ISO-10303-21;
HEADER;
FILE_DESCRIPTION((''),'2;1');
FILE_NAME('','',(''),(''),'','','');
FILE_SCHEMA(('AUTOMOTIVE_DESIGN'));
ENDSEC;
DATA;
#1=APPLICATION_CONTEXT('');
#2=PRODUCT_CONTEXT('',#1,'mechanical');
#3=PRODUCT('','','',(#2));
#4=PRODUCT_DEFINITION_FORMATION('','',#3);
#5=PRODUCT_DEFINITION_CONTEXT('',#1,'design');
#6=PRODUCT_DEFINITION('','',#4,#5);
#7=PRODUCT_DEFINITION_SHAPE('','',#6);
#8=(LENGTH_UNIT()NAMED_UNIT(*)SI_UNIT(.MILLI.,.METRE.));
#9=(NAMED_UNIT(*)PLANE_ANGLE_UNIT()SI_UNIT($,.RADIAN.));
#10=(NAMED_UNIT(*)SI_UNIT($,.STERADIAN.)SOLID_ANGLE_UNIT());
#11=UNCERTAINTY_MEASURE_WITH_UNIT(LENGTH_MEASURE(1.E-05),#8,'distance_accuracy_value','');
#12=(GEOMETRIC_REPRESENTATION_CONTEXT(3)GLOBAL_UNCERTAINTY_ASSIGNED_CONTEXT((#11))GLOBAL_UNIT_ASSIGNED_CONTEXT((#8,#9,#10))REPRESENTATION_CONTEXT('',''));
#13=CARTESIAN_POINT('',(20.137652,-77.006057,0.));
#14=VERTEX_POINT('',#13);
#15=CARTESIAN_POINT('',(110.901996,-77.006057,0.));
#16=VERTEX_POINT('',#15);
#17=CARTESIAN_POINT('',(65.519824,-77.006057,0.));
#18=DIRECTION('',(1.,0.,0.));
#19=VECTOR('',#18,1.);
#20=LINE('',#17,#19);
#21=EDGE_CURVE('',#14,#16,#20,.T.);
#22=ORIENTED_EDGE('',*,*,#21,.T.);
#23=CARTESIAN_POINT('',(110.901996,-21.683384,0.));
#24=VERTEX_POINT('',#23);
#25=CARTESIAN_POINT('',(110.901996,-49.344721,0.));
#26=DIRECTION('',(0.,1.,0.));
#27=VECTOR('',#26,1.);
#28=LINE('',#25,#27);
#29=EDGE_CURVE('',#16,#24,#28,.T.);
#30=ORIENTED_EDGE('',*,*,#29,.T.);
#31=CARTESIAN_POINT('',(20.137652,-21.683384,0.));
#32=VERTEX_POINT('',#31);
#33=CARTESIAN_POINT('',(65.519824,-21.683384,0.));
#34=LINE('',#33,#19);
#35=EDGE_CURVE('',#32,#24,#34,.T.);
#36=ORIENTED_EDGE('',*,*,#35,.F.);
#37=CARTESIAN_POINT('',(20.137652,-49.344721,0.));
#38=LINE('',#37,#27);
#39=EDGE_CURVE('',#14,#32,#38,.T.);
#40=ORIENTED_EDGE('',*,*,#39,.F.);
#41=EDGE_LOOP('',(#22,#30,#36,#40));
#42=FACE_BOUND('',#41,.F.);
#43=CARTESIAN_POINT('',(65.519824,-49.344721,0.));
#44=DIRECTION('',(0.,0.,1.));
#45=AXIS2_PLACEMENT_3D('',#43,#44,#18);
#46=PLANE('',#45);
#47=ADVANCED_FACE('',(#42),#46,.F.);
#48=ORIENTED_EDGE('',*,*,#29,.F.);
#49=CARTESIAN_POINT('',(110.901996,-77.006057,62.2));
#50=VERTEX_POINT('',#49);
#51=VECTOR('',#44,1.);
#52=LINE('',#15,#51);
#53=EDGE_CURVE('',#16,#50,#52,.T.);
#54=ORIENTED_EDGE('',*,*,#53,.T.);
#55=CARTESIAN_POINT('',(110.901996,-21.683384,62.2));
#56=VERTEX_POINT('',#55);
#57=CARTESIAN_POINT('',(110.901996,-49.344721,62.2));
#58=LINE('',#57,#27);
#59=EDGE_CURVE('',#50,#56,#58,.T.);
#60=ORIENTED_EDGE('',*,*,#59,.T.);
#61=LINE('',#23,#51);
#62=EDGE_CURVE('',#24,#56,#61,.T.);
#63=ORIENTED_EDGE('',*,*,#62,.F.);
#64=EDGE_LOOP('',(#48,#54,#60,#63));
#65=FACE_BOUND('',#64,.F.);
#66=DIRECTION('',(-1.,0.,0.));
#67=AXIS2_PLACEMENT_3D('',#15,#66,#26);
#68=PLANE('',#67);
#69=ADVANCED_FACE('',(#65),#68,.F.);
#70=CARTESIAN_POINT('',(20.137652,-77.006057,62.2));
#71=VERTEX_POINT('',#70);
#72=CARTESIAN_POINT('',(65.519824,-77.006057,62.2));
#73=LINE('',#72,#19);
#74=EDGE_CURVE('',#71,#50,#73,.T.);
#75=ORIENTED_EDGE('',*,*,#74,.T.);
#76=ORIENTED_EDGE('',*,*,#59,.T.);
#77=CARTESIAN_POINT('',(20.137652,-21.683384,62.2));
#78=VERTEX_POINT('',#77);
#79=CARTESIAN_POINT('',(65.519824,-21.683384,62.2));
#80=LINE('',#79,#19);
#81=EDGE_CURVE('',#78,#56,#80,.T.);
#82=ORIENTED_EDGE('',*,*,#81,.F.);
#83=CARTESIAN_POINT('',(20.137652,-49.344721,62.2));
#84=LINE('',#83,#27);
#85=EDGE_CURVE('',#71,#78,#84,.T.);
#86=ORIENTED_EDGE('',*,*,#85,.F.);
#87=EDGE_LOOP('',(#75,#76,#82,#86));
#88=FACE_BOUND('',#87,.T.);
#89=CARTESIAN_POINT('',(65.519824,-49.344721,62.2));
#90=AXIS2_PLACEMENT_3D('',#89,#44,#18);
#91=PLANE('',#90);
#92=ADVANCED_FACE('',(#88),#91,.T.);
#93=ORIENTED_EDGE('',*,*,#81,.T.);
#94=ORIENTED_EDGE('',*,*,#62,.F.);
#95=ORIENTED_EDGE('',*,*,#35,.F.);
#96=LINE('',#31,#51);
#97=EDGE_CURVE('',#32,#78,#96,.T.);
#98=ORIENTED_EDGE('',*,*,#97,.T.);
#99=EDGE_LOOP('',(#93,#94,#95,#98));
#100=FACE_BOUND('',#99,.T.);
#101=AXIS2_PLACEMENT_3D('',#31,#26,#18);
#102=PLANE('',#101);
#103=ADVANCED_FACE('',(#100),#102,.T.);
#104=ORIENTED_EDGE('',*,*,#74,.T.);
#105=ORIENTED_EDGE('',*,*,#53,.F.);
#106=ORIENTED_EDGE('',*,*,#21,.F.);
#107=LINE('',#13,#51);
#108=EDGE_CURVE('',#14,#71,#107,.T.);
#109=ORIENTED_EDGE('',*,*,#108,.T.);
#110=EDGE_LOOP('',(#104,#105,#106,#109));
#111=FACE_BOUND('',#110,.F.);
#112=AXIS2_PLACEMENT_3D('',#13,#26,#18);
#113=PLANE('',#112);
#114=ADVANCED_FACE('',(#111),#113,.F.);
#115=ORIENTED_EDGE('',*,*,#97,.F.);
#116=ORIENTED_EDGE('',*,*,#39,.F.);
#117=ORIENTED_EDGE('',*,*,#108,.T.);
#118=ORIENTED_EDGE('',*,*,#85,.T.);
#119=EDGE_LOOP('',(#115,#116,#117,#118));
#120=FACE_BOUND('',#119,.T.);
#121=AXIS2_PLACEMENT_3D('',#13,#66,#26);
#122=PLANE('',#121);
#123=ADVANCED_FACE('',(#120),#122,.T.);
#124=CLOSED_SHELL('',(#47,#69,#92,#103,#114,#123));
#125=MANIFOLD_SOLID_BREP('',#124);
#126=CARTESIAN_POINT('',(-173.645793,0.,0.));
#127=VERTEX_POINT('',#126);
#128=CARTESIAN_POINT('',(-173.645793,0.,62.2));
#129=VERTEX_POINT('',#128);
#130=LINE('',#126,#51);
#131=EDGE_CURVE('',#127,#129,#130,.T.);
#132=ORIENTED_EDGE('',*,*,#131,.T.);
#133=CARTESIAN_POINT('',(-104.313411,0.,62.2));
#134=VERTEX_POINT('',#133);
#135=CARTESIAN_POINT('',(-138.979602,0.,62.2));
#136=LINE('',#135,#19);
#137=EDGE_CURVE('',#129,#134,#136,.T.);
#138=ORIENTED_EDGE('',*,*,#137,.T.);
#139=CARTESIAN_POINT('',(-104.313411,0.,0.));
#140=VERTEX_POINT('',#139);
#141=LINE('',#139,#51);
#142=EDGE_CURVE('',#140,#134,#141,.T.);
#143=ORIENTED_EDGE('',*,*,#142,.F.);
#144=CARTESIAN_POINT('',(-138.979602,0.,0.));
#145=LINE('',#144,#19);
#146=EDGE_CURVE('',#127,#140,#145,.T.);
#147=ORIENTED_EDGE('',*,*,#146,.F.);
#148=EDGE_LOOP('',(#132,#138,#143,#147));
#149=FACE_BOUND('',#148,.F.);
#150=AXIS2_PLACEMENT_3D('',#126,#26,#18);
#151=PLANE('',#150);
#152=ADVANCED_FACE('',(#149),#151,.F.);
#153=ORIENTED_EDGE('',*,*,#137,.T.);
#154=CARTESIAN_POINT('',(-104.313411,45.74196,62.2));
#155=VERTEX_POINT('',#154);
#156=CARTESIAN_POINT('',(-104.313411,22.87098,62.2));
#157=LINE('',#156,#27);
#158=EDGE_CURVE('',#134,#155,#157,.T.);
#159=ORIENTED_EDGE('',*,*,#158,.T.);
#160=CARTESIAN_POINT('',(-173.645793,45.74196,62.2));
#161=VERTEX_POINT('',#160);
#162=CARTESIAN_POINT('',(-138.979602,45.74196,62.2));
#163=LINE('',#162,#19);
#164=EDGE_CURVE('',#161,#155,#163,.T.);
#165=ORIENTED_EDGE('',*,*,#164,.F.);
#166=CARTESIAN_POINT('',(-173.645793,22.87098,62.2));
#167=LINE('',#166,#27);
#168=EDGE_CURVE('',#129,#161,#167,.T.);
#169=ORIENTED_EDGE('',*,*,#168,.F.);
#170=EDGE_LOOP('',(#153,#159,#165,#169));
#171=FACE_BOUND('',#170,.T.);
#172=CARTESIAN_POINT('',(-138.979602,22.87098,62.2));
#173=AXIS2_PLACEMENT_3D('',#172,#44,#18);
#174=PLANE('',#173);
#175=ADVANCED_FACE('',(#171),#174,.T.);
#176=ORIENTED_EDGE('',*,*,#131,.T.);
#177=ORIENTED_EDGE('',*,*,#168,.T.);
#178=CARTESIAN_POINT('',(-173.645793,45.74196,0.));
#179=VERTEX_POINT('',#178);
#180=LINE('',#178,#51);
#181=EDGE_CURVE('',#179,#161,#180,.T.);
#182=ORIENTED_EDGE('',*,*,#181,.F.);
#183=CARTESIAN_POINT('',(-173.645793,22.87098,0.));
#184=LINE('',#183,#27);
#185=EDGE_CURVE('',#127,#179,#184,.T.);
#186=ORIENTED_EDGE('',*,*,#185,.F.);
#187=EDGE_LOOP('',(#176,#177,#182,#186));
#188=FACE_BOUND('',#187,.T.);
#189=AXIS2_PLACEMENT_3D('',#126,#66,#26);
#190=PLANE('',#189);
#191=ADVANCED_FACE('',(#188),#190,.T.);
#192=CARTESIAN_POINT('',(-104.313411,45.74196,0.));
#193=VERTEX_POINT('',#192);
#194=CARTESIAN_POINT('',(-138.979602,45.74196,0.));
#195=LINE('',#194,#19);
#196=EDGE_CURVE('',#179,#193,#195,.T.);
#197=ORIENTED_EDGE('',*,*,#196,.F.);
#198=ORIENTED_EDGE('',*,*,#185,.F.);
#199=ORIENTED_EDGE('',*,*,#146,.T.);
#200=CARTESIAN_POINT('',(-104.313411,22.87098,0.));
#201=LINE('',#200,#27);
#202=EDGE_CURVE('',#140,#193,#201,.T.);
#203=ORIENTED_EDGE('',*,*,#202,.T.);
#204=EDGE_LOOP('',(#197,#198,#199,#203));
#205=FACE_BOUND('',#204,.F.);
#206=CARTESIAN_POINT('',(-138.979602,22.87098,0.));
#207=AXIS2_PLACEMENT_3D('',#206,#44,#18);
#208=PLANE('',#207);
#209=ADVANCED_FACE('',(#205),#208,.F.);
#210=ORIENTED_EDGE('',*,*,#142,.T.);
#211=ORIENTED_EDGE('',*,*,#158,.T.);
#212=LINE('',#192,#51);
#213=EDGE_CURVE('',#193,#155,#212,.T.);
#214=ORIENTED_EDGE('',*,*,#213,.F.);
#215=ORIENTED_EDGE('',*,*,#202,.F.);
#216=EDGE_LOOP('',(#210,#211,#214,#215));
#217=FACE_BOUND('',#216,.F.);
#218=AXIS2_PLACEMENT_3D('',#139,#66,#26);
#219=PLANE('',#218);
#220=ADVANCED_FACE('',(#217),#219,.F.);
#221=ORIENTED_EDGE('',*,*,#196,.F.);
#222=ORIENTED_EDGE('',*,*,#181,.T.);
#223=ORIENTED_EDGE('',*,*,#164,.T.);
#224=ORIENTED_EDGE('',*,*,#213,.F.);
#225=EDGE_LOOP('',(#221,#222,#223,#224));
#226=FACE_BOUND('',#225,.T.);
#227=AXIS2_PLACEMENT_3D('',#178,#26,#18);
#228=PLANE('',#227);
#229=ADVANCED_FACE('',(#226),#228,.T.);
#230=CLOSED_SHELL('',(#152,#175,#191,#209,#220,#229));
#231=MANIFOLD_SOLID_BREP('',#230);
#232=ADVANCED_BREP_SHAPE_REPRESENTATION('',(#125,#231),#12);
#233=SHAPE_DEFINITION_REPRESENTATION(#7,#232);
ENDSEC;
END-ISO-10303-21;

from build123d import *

# Parameters (mm, degrees)
F0_W     = 69.332383
F0_H     = 45.74196
F0_W_2   = 90.764345
F0_H_2   = 55.322673
F1_DEPTH = 62.2


with BuildPart() as f1:
    # F0 (on Top) → F1 (new body)
    with BuildSketch(Plane.XY):
        with Locations((-138.979602, 22.87098)):
            Rectangle(F0_W, F0_H)
        with Locations((65.519824, -49.344721)):
            Rectangle(F0_W_2, F0_H_2)
    extrude(amount=F1_DEPTH)


solid = f1.part
